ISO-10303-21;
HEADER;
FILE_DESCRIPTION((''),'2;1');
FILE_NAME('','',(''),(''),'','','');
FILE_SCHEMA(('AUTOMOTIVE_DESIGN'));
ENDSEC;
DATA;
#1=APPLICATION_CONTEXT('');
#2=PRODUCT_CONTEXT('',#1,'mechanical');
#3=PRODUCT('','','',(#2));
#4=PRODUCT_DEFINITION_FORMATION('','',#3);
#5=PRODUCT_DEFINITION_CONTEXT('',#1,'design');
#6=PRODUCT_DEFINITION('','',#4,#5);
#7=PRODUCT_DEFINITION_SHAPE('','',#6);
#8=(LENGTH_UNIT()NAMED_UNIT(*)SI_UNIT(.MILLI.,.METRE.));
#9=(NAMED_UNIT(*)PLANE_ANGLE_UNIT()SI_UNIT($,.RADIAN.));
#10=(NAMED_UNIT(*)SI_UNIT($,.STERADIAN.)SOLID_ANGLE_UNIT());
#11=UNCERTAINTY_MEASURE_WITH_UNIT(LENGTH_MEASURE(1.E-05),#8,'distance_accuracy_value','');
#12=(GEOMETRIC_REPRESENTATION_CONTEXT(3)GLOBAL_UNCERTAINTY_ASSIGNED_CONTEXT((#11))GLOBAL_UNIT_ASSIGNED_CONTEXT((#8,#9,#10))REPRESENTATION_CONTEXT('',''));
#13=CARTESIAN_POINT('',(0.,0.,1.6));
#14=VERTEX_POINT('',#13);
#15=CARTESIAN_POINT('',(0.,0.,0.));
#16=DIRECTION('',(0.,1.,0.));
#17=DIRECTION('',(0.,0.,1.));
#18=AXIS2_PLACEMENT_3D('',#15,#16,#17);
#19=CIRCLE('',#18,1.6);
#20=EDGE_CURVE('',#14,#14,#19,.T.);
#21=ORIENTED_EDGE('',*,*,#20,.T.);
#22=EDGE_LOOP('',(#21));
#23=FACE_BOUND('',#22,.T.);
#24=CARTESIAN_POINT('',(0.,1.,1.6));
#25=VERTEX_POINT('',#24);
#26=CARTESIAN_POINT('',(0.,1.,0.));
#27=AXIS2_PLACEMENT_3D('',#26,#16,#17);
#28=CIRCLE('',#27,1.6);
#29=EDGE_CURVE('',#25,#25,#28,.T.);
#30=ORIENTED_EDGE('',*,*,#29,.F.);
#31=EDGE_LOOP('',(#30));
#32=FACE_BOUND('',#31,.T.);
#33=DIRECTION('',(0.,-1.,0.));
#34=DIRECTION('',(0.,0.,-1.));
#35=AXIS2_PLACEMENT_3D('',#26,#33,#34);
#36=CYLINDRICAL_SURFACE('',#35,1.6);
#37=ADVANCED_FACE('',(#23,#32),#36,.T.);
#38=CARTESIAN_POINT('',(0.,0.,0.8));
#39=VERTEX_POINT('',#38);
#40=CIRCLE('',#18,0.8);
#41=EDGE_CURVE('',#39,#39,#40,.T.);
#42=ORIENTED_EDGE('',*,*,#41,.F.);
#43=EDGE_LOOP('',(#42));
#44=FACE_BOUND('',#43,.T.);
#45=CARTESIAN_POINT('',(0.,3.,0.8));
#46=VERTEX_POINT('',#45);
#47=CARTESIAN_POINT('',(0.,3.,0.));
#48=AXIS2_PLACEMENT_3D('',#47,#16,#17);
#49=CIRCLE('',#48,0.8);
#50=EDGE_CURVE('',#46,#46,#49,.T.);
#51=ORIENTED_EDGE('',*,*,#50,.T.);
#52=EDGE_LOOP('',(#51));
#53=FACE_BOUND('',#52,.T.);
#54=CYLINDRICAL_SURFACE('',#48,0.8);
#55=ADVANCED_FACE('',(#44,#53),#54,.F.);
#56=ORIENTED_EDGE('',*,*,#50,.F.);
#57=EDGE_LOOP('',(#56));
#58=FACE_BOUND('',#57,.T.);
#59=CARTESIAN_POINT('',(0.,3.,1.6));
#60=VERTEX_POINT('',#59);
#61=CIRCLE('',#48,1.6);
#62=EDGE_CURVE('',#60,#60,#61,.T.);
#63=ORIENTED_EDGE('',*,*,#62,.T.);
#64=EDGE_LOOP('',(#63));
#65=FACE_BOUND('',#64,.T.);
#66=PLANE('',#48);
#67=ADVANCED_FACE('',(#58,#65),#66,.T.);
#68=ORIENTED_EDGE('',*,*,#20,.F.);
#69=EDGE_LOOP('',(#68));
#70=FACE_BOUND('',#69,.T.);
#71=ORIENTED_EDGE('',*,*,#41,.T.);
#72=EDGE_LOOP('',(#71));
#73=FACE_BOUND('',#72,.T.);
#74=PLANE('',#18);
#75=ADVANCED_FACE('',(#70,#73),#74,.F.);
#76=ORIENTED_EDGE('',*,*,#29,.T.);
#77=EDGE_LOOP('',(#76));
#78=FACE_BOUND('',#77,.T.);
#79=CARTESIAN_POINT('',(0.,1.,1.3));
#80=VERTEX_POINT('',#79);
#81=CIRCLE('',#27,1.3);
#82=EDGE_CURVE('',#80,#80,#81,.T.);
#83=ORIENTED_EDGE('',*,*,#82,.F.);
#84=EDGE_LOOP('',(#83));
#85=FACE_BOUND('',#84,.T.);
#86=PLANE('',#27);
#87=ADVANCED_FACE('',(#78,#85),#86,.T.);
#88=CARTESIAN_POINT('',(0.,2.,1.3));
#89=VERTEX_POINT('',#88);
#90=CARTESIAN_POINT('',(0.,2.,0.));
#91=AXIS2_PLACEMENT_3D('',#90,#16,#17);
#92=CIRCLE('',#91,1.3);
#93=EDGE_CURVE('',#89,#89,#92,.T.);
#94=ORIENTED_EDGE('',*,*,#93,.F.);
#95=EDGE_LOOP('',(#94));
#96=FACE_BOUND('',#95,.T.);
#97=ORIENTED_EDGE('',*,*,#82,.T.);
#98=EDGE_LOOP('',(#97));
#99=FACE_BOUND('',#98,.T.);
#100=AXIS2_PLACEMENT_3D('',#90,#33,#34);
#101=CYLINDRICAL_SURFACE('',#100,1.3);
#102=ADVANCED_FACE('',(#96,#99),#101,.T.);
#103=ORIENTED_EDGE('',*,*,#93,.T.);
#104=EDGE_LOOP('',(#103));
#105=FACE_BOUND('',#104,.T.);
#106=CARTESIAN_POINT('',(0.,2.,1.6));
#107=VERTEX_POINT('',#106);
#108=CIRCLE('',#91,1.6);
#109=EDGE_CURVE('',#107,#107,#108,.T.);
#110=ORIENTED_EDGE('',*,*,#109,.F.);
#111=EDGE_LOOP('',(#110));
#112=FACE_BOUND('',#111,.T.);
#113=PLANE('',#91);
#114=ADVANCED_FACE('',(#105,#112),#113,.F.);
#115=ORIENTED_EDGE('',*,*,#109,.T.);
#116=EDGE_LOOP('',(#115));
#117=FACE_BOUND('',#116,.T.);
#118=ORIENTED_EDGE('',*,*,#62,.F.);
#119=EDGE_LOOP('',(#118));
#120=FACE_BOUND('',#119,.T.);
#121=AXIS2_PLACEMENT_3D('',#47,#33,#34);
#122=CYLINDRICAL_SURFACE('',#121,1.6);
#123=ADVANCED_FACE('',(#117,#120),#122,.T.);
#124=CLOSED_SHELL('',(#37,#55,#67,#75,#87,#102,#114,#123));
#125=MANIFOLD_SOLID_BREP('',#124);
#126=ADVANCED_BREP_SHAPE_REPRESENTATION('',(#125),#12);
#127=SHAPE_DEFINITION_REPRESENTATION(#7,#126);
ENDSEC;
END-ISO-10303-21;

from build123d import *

# Parameters (mm, degrees)
SKETCH_1_R         = 1.6
EXTRUDE_1_DEPTH    = 1
SKETCH_2_R         = 1.3
EXTRUDE_2_DEPTH    = 1
SKETCH_3_R         = 1.6
EXTRUDE_3_DEPTH    = 1
HOLE_WIZARD_M2_1_D = 1.6


with BuildPart() as part:
    # 草图1 → 凸台-拉伸1 (new body)
    with BuildSketch(Plane(origin=(0, 0, 0), x_dir=(1, 0, 0), z_dir=(0, 1, 0))):
        with Locations(Location((0, 0, 0), (0, 0, 270))):
            Circle(SKETCH_1_R)
    extrude(amount=EXTRUDE_1_DEPTH)

    # 草图2 → 凸台-拉伸2 (add)
    with BuildSketch(Plane(origin=(0, 1, 0), x_dir=(1, 0, 0), z_dir=(0, 1, 0))):
        with Locations(Location((0, 0, 0), (0, 0, 270))):
            Circle(SKETCH_2_R)
    extrude(amount=EXTRUDE_2_DEPTH)

    # 草图3 → 凸台-拉伸3 (add)
    with BuildSketch(Plane(origin=(0, 2, 0), x_dir=(1, 0, 0), z_dir=(0, 1, 0))):
        with Locations(Location((0, 0, 0), (0, 0, 270))):
            Circle(SKETCH_3_R)
    extrude(amount=EXTRUDE_3_DEPTH)

    # M2 螺纹孔1 (through all)
    with Locations(Plane(origin=(0, 3, 0), x_dir=(1, 0, 0), z_dir=(0, 1, 0))):
        with Locations((0, 0)):
            Hole(HOLE_WIZARD_M2_1_D / 2)


solid = part.part
